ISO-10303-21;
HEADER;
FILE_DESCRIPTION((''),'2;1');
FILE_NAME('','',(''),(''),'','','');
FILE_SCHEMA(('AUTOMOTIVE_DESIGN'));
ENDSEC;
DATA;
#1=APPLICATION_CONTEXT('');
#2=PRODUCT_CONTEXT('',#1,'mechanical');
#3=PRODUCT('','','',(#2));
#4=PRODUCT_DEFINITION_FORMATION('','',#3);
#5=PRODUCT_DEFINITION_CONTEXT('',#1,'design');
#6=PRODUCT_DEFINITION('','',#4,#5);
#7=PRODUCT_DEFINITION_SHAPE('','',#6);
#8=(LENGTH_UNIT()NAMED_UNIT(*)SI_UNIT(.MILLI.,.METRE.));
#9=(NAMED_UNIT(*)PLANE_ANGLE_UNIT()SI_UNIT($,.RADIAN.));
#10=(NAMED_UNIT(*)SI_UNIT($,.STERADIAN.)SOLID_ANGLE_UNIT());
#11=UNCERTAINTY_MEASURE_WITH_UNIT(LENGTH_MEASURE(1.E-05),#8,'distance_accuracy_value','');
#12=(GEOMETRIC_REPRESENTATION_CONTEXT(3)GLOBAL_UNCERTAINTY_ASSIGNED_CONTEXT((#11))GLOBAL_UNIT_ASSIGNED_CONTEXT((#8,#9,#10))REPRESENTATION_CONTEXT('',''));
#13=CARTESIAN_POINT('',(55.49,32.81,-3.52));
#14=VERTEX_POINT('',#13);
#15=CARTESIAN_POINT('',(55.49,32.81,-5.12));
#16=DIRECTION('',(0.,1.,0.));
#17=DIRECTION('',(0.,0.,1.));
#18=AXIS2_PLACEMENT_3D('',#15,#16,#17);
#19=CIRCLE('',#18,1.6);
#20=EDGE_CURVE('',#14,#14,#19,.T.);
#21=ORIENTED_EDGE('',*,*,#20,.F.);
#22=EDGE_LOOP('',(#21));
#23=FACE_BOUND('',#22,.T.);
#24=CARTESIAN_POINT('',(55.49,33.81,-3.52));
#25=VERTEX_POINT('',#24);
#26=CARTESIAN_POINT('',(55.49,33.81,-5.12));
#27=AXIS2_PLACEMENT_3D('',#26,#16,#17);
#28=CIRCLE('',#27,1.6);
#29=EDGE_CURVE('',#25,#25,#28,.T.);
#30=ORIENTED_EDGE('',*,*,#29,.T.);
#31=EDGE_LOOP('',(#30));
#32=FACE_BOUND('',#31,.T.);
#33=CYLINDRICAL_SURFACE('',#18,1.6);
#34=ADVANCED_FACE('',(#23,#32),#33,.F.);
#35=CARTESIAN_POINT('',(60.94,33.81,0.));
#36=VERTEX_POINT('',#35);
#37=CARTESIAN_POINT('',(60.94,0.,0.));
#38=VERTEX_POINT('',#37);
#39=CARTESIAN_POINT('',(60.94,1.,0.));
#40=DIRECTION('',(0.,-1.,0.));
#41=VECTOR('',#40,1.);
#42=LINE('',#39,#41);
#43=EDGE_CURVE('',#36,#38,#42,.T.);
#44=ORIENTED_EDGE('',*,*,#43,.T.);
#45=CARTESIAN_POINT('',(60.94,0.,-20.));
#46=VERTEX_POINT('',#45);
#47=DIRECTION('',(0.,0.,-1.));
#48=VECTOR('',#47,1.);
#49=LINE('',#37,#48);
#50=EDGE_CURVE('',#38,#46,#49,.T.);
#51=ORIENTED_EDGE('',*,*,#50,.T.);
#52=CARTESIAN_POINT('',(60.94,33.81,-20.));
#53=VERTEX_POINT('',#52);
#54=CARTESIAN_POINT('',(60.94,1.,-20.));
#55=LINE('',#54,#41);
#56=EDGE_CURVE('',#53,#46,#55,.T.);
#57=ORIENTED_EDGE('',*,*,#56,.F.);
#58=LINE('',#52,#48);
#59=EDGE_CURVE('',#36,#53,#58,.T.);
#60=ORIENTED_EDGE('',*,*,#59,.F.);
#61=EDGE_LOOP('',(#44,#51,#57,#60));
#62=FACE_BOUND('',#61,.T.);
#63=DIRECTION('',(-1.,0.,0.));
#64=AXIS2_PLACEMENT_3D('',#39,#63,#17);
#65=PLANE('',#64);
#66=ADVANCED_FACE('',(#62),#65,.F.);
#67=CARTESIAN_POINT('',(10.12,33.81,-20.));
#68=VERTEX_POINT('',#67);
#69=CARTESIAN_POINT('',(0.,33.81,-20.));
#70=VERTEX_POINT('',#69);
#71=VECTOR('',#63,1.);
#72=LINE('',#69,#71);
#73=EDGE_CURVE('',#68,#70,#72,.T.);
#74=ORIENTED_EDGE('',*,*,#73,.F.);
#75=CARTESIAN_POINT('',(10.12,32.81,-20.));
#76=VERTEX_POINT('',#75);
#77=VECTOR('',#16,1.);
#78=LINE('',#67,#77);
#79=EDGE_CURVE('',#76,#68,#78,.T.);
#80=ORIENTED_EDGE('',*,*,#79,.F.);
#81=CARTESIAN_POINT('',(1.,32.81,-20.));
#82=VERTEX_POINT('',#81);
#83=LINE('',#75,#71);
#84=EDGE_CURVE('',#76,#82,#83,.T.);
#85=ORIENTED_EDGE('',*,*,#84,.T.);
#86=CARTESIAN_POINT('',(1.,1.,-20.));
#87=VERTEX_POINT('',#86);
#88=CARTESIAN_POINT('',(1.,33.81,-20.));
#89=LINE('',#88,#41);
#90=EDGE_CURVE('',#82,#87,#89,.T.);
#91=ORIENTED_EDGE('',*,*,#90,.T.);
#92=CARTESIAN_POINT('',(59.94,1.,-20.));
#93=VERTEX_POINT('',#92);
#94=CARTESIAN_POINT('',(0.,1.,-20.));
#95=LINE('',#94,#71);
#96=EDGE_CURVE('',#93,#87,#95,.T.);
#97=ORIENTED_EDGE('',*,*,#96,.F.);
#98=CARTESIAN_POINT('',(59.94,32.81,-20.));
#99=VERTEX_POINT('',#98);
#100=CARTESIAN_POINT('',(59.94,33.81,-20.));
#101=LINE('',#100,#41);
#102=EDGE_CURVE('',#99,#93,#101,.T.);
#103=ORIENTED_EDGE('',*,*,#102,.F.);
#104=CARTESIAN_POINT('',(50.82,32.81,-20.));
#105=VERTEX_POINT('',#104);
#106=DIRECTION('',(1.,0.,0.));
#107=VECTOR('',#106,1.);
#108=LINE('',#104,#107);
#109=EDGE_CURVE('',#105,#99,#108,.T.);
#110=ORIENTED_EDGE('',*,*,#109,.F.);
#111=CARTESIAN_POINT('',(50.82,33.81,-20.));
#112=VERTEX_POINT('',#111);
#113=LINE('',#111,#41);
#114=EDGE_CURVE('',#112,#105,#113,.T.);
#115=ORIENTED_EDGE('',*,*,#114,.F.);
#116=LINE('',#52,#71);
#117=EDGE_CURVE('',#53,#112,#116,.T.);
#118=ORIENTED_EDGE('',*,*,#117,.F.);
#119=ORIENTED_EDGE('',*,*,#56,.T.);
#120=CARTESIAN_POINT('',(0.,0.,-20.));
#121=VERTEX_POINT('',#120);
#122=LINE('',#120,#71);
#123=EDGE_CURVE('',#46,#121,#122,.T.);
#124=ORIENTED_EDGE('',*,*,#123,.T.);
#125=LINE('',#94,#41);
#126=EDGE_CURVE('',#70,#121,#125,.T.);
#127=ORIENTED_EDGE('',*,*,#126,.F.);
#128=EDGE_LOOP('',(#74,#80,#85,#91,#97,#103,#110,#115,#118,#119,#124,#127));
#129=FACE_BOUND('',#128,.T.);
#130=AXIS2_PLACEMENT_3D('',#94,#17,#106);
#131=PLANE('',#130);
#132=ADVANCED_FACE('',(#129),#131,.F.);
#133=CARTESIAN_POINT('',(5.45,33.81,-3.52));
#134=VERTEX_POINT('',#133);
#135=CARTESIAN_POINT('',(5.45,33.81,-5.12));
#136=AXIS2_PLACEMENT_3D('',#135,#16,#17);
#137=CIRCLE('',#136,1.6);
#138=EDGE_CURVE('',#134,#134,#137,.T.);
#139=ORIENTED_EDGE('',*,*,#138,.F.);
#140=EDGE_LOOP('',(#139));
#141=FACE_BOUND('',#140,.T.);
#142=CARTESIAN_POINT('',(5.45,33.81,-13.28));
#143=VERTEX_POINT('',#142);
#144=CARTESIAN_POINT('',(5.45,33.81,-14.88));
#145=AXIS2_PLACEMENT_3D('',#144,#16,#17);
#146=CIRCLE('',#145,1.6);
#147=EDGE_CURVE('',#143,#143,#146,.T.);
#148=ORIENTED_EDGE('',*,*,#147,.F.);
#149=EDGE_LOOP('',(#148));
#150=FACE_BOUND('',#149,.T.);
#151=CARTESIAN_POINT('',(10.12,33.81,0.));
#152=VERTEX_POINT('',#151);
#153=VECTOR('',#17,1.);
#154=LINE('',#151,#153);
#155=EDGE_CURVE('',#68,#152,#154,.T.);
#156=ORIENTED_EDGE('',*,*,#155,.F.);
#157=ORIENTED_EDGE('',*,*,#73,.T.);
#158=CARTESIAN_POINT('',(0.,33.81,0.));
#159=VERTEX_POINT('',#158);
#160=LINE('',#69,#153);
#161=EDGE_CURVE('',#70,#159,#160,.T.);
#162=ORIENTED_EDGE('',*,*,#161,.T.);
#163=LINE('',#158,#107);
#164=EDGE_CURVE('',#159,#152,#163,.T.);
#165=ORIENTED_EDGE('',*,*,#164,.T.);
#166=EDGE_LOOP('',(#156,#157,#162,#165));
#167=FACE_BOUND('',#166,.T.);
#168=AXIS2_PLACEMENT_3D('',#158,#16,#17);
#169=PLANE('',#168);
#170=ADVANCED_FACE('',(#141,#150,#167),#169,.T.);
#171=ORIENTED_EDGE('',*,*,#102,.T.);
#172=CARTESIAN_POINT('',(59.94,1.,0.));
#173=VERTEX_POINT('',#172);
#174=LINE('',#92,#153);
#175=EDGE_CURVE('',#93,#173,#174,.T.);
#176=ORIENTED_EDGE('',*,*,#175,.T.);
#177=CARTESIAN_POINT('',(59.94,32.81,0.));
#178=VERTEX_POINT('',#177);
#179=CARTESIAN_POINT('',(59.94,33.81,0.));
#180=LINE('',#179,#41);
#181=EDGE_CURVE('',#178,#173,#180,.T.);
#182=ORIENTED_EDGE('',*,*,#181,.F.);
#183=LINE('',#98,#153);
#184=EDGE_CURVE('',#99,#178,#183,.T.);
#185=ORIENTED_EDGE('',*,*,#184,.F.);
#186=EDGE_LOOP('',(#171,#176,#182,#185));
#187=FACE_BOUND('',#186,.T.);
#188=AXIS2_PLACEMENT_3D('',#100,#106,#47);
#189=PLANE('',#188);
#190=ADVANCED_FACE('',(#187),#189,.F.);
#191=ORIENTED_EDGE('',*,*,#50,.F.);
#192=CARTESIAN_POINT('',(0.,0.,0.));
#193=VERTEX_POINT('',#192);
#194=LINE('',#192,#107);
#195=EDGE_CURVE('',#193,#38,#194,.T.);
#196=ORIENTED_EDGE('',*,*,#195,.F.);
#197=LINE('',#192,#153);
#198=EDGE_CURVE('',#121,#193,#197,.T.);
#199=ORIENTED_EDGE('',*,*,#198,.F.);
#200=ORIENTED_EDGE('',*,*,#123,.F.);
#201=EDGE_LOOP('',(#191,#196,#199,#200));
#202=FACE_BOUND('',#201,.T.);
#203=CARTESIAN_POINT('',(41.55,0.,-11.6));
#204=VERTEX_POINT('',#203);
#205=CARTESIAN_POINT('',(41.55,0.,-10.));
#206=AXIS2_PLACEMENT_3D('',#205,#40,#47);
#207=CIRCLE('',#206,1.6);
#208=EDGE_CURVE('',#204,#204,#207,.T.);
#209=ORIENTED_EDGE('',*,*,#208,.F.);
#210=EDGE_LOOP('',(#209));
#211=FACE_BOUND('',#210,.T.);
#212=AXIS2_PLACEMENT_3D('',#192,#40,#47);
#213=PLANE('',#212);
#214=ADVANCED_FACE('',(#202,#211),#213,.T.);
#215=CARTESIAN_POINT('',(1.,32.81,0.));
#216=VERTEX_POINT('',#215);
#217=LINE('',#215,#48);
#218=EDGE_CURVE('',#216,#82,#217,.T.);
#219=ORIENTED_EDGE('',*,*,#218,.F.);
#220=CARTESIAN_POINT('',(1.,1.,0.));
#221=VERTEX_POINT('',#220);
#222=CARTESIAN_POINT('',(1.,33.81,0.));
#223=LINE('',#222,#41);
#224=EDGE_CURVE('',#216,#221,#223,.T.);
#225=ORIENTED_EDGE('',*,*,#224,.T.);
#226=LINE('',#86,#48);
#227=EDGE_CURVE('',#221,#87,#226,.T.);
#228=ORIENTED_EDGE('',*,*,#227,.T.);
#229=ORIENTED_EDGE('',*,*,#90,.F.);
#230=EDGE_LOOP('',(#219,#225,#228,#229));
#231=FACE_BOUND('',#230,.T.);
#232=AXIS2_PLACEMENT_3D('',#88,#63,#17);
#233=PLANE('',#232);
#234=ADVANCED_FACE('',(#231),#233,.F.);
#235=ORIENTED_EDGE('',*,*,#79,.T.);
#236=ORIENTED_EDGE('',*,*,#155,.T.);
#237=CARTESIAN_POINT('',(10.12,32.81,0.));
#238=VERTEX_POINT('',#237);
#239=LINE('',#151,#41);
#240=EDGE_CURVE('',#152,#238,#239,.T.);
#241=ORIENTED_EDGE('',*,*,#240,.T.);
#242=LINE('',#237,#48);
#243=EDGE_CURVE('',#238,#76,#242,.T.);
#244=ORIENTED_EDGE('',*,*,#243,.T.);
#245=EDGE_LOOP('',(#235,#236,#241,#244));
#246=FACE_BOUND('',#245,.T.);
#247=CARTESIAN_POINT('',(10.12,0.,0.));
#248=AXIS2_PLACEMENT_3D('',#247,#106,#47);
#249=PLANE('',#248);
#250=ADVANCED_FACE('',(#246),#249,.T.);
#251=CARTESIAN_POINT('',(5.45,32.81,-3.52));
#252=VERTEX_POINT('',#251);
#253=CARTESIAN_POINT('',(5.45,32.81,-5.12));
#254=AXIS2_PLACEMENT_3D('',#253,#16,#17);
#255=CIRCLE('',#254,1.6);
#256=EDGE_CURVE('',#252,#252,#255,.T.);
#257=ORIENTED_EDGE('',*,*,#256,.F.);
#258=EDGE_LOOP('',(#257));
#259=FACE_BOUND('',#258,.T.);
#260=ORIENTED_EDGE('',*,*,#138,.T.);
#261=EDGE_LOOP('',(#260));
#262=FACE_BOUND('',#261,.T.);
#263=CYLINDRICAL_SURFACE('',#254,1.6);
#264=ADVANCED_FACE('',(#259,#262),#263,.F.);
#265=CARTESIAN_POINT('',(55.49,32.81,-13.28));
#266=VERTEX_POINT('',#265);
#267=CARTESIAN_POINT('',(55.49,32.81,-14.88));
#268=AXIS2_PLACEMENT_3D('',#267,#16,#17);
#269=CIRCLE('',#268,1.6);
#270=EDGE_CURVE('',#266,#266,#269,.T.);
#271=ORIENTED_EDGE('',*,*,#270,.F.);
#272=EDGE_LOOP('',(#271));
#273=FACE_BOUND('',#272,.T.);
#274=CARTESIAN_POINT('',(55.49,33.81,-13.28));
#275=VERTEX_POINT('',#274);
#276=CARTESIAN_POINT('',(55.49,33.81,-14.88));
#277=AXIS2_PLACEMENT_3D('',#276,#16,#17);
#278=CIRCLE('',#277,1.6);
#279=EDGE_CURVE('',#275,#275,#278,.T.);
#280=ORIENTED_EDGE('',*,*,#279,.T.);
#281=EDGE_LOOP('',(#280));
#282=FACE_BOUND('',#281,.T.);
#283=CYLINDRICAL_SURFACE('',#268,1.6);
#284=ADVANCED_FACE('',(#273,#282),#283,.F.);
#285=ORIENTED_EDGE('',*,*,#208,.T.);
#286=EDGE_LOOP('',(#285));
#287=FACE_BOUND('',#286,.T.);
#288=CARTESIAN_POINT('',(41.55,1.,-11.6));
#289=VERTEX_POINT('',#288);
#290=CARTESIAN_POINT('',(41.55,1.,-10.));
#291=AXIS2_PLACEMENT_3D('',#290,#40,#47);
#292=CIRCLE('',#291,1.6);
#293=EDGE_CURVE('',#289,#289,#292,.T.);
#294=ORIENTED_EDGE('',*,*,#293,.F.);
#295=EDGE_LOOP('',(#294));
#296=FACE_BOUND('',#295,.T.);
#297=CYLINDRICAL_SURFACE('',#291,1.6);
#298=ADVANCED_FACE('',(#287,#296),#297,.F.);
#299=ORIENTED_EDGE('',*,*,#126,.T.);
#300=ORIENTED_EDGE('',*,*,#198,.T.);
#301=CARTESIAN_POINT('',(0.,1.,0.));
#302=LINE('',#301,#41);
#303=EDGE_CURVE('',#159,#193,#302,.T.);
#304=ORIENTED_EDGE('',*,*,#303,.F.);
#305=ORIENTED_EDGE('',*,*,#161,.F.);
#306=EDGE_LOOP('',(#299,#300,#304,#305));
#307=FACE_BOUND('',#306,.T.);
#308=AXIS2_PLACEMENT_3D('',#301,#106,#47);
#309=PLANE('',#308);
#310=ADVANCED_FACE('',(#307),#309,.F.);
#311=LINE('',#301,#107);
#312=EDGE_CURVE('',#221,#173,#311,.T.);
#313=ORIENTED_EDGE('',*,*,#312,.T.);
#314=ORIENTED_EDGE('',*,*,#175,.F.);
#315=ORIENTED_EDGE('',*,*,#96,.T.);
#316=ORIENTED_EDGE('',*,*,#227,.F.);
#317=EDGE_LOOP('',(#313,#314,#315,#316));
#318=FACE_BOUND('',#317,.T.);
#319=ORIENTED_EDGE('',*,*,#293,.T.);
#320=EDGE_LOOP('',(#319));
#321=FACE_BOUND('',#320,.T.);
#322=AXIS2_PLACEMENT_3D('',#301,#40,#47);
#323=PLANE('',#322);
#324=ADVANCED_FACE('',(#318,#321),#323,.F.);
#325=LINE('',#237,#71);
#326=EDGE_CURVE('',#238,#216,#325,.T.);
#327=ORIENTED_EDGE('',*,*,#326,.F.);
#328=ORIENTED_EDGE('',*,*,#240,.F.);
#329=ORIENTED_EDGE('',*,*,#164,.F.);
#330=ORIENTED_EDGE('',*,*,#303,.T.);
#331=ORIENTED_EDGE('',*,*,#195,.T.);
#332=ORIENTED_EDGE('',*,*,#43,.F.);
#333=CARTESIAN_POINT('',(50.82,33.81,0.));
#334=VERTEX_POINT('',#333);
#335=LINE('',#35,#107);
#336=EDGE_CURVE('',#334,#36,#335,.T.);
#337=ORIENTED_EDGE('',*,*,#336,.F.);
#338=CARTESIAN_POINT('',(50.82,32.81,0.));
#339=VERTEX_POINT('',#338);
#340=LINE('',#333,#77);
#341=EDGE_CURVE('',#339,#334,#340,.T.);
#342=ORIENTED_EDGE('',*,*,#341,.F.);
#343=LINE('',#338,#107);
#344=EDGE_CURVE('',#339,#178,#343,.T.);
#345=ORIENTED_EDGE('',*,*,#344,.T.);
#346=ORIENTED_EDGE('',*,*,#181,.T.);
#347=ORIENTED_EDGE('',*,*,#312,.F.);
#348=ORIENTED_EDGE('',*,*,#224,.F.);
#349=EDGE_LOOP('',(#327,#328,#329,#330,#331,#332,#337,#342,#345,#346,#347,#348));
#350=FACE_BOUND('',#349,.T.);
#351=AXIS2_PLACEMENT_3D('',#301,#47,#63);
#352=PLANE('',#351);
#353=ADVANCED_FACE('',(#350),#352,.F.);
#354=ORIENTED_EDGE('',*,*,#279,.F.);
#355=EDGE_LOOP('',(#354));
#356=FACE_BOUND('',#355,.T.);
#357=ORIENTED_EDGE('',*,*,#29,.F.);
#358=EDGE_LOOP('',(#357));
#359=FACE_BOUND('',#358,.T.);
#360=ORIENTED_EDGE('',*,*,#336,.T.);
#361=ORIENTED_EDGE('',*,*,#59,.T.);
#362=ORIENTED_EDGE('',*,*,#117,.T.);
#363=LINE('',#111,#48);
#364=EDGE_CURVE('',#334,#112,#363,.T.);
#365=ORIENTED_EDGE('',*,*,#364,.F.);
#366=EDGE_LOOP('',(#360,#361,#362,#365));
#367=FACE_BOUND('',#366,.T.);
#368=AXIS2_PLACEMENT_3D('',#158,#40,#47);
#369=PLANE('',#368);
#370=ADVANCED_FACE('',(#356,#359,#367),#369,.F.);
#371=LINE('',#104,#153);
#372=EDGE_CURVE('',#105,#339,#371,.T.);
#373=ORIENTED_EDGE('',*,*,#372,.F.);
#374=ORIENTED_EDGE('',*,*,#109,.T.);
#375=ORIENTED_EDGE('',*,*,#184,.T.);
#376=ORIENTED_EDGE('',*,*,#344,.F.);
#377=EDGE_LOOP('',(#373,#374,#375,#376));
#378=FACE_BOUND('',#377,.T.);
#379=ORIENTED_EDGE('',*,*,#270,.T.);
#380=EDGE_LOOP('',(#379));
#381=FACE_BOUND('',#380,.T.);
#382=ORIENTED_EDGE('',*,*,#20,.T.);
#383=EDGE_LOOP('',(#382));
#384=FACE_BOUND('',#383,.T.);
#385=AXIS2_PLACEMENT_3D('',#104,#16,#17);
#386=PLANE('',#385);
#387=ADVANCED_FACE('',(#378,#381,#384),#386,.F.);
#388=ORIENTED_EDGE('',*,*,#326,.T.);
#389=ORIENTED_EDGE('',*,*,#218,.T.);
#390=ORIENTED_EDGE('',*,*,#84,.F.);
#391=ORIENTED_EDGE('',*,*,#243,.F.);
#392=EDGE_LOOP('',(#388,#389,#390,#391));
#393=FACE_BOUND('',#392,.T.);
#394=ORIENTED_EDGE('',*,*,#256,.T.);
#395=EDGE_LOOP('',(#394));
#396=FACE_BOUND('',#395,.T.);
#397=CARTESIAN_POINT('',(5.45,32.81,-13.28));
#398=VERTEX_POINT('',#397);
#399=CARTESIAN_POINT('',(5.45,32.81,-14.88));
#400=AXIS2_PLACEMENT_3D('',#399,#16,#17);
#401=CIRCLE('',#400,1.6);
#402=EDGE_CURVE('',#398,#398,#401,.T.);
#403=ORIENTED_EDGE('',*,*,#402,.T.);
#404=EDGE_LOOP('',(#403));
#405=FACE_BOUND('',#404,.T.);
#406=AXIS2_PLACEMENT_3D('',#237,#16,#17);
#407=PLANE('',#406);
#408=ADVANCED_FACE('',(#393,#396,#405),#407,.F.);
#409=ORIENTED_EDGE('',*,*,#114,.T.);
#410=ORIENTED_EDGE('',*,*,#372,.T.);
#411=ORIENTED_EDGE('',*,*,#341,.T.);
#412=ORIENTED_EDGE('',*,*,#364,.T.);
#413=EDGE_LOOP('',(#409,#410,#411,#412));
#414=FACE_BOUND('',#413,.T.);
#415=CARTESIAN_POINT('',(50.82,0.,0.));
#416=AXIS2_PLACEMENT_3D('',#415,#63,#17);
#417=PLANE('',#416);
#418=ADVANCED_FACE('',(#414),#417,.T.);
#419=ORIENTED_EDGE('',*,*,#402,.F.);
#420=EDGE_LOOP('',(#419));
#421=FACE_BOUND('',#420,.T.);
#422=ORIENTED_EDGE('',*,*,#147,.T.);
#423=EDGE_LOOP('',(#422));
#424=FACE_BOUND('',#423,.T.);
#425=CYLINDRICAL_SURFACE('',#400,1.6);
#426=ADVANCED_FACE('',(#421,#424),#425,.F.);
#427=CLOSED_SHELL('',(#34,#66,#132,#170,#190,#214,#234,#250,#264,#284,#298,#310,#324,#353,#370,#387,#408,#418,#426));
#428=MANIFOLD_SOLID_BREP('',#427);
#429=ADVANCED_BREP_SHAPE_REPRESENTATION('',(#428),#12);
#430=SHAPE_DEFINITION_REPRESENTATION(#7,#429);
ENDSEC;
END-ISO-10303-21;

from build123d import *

# Parameters (mm, degrees)
SKETCH_2_W          = 60.94
SKETCH_2_H          = 20
EXTRUDE_1_DEPTH     = 1
SKETCH_3_W          = 1
SKETCH_3_H          = 20
EXTRUDE_2_DEPTH     = 32.81
SKETCH_4_W          = 1
SKETCH_4_H          = 20
EXTRUDE_3_DEPTH     = 32.81
SKETCH_9_W          = 20
SKETCH_9_H          = 1
EXTRUDE_8_DEPTH     = 9.12
SKETCH_10_W         = 20
SKETCH_10_H         = 1
EXTRUDE_9_DEPTH     = 9.12
SKETCH_13_R         = 1.6
CUT_EXTRUDE_2_DEPTH = 1
SKETCH_14_R         = 1.6
CUT_EXTRUDE_3_DEPTH = 1
SKETCH_15_R         = 1.6
CUT_EXTRUDE_4_DEPTH = 1
SKETCH_16_R         = 1.6
CUT_EXTRUDE_5_DEPTH = 1
SKETCH_17_R         = 1.6
CUT_EXTRUDE_6_DEPTH = 1


with BuildPart() as part:
    # ｽｹｯﾁ2 → ﾎﾞｽ - 押し出し1 (new body)
    with BuildSketch(Plane(origin=(0, 0, 0), x_dir=(1, 0, 0), z_dir=(0, 1, 0))):
        with Locations((30.47, 10)):
            Rectangle(SKETCH_2_W, SKETCH_2_H)
    extrude(amount=EXTRUDE_1_DEPTH)

    # ｽｹｯﾁ3 → ﾎﾞｽ - 押し出し2 (add)
    with BuildSketch(Plane(origin=(0, 1, 0), x_dir=(1, 0, 0), z_dir=(0, 1, 0))):
        with Locations((60.44, 10)):
            Rectangle(SKETCH_3_W, SKETCH_3_H)
    extrude(amount=EXTRUDE_2_DEPTH)

    # ｽｹｯﾁ4 → ﾎﾞｽ - 押し出し3 (add)
    with BuildSketch(Plane(origin=(0, 1, 0), x_dir=(1, 0, 0), z_dir=(0, 1, 0))):
        with Locations((0.5, 10)):
            Rectangle(SKETCH_4_W, SKETCH_4_H)
    extrude(amount=EXTRUDE_3_DEPTH)

    # ｽｹｯﾁ9 → ﾎﾞｽ - 押し出し8 (add)
    with BuildSketch(Plane.ZY.offset(-59.94)):
        with Locations((-10, 33.31)):
            Rectangle(SKETCH_9_W, SKETCH_9_H)
    extrude(amount=EXTRUDE_8_DEPTH)

    # ｽｹｯﾁ10 → ﾎﾞｽ - 押し出し9 (add)
    with BuildSketch(Plane(origin=(1, 0, 0), x_dir=(0, 0, -1), z_dir=(1, 0, 0))):
        with Locations((10, 33.31)):
            Rectangle(SKETCH_10_W, SKETCH_10_H)
    extrude(amount=EXTRUDE_9_DEPTH)

    # ｽｹｯﾁ13 → ｶｯﾄ - 押し出し2 (cut)
    with BuildSketch(Plane(origin=(0, 33.81, 0), x_dir=(1, 0, 0), z_dir=(0, 1, 0))):
        with Locations((55.49, 5.12)):
            Circle(SKETCH_13_R)
    extrude(amount=-CUT_EXTRUDE_2_DEPTH, mode=Mode.SUBTRACT)

    # ｽｹｯﾁ14 → ｶｯﾄ - 押し出し3 (cut)
    with BuildSketch(Plane(origin=(0, 33.81, 0), x_dir=(1, 0, 0), z_dir=(0, 1, 0))):
        with Locations((55.49, 14.88)):
            Circle(SKETCH_14_R)
    extrude(amount=-CUT_EXTRUDE_3_DEPTH, mode=Mode.SUBTRACT)

    # ｽｹｯﾁ15 → ｶｯﾄ - 押し出し4 (cut)
    with BuildSketch(Plane(origin=(0, 33.81, 0), x_dir=(1, 0, 0), z_dir=(0, 1, 0))):
        with Locations((5.45, 5.12)):
            Circle(SKETCH_15_R)
    extrude(amount=-CUT_EXTRUDE_4_DEPTH, mode=Mode.SUBTRACT)

    # ｽｹｯﾁ16 → ｶｯﾄ - 押し出し5 (cut)
    with BuildSketch(Plane(origin=(0, 33.81, 0), x_dir=(1, 0, 0), z_dir=(0, 1, 0))):
        with Locations((5.45, 14.88)):
            Circle(SKETCH_16_R)
    extrude(amount=-CUT_EXTRUDE_5_DEPTH, mode=Mode.SUBTRACT)

    # ｽｹｯﾁ17 → ｶｯﾄ - 押し出し6 (cut)
    with BuildSketch(Plane(origin=(0, 0, 0), x_dir=(-1, 0, 0), z_dir=(0, -1, 0))):
        with Locations((-41.55, 10)):
            Circle(SKETCH_17_R)
    extrude(amount=-CUT_EXTRUDE_6_DEPTH, mode=Mode.SUBTRACT)


solid = part.part
